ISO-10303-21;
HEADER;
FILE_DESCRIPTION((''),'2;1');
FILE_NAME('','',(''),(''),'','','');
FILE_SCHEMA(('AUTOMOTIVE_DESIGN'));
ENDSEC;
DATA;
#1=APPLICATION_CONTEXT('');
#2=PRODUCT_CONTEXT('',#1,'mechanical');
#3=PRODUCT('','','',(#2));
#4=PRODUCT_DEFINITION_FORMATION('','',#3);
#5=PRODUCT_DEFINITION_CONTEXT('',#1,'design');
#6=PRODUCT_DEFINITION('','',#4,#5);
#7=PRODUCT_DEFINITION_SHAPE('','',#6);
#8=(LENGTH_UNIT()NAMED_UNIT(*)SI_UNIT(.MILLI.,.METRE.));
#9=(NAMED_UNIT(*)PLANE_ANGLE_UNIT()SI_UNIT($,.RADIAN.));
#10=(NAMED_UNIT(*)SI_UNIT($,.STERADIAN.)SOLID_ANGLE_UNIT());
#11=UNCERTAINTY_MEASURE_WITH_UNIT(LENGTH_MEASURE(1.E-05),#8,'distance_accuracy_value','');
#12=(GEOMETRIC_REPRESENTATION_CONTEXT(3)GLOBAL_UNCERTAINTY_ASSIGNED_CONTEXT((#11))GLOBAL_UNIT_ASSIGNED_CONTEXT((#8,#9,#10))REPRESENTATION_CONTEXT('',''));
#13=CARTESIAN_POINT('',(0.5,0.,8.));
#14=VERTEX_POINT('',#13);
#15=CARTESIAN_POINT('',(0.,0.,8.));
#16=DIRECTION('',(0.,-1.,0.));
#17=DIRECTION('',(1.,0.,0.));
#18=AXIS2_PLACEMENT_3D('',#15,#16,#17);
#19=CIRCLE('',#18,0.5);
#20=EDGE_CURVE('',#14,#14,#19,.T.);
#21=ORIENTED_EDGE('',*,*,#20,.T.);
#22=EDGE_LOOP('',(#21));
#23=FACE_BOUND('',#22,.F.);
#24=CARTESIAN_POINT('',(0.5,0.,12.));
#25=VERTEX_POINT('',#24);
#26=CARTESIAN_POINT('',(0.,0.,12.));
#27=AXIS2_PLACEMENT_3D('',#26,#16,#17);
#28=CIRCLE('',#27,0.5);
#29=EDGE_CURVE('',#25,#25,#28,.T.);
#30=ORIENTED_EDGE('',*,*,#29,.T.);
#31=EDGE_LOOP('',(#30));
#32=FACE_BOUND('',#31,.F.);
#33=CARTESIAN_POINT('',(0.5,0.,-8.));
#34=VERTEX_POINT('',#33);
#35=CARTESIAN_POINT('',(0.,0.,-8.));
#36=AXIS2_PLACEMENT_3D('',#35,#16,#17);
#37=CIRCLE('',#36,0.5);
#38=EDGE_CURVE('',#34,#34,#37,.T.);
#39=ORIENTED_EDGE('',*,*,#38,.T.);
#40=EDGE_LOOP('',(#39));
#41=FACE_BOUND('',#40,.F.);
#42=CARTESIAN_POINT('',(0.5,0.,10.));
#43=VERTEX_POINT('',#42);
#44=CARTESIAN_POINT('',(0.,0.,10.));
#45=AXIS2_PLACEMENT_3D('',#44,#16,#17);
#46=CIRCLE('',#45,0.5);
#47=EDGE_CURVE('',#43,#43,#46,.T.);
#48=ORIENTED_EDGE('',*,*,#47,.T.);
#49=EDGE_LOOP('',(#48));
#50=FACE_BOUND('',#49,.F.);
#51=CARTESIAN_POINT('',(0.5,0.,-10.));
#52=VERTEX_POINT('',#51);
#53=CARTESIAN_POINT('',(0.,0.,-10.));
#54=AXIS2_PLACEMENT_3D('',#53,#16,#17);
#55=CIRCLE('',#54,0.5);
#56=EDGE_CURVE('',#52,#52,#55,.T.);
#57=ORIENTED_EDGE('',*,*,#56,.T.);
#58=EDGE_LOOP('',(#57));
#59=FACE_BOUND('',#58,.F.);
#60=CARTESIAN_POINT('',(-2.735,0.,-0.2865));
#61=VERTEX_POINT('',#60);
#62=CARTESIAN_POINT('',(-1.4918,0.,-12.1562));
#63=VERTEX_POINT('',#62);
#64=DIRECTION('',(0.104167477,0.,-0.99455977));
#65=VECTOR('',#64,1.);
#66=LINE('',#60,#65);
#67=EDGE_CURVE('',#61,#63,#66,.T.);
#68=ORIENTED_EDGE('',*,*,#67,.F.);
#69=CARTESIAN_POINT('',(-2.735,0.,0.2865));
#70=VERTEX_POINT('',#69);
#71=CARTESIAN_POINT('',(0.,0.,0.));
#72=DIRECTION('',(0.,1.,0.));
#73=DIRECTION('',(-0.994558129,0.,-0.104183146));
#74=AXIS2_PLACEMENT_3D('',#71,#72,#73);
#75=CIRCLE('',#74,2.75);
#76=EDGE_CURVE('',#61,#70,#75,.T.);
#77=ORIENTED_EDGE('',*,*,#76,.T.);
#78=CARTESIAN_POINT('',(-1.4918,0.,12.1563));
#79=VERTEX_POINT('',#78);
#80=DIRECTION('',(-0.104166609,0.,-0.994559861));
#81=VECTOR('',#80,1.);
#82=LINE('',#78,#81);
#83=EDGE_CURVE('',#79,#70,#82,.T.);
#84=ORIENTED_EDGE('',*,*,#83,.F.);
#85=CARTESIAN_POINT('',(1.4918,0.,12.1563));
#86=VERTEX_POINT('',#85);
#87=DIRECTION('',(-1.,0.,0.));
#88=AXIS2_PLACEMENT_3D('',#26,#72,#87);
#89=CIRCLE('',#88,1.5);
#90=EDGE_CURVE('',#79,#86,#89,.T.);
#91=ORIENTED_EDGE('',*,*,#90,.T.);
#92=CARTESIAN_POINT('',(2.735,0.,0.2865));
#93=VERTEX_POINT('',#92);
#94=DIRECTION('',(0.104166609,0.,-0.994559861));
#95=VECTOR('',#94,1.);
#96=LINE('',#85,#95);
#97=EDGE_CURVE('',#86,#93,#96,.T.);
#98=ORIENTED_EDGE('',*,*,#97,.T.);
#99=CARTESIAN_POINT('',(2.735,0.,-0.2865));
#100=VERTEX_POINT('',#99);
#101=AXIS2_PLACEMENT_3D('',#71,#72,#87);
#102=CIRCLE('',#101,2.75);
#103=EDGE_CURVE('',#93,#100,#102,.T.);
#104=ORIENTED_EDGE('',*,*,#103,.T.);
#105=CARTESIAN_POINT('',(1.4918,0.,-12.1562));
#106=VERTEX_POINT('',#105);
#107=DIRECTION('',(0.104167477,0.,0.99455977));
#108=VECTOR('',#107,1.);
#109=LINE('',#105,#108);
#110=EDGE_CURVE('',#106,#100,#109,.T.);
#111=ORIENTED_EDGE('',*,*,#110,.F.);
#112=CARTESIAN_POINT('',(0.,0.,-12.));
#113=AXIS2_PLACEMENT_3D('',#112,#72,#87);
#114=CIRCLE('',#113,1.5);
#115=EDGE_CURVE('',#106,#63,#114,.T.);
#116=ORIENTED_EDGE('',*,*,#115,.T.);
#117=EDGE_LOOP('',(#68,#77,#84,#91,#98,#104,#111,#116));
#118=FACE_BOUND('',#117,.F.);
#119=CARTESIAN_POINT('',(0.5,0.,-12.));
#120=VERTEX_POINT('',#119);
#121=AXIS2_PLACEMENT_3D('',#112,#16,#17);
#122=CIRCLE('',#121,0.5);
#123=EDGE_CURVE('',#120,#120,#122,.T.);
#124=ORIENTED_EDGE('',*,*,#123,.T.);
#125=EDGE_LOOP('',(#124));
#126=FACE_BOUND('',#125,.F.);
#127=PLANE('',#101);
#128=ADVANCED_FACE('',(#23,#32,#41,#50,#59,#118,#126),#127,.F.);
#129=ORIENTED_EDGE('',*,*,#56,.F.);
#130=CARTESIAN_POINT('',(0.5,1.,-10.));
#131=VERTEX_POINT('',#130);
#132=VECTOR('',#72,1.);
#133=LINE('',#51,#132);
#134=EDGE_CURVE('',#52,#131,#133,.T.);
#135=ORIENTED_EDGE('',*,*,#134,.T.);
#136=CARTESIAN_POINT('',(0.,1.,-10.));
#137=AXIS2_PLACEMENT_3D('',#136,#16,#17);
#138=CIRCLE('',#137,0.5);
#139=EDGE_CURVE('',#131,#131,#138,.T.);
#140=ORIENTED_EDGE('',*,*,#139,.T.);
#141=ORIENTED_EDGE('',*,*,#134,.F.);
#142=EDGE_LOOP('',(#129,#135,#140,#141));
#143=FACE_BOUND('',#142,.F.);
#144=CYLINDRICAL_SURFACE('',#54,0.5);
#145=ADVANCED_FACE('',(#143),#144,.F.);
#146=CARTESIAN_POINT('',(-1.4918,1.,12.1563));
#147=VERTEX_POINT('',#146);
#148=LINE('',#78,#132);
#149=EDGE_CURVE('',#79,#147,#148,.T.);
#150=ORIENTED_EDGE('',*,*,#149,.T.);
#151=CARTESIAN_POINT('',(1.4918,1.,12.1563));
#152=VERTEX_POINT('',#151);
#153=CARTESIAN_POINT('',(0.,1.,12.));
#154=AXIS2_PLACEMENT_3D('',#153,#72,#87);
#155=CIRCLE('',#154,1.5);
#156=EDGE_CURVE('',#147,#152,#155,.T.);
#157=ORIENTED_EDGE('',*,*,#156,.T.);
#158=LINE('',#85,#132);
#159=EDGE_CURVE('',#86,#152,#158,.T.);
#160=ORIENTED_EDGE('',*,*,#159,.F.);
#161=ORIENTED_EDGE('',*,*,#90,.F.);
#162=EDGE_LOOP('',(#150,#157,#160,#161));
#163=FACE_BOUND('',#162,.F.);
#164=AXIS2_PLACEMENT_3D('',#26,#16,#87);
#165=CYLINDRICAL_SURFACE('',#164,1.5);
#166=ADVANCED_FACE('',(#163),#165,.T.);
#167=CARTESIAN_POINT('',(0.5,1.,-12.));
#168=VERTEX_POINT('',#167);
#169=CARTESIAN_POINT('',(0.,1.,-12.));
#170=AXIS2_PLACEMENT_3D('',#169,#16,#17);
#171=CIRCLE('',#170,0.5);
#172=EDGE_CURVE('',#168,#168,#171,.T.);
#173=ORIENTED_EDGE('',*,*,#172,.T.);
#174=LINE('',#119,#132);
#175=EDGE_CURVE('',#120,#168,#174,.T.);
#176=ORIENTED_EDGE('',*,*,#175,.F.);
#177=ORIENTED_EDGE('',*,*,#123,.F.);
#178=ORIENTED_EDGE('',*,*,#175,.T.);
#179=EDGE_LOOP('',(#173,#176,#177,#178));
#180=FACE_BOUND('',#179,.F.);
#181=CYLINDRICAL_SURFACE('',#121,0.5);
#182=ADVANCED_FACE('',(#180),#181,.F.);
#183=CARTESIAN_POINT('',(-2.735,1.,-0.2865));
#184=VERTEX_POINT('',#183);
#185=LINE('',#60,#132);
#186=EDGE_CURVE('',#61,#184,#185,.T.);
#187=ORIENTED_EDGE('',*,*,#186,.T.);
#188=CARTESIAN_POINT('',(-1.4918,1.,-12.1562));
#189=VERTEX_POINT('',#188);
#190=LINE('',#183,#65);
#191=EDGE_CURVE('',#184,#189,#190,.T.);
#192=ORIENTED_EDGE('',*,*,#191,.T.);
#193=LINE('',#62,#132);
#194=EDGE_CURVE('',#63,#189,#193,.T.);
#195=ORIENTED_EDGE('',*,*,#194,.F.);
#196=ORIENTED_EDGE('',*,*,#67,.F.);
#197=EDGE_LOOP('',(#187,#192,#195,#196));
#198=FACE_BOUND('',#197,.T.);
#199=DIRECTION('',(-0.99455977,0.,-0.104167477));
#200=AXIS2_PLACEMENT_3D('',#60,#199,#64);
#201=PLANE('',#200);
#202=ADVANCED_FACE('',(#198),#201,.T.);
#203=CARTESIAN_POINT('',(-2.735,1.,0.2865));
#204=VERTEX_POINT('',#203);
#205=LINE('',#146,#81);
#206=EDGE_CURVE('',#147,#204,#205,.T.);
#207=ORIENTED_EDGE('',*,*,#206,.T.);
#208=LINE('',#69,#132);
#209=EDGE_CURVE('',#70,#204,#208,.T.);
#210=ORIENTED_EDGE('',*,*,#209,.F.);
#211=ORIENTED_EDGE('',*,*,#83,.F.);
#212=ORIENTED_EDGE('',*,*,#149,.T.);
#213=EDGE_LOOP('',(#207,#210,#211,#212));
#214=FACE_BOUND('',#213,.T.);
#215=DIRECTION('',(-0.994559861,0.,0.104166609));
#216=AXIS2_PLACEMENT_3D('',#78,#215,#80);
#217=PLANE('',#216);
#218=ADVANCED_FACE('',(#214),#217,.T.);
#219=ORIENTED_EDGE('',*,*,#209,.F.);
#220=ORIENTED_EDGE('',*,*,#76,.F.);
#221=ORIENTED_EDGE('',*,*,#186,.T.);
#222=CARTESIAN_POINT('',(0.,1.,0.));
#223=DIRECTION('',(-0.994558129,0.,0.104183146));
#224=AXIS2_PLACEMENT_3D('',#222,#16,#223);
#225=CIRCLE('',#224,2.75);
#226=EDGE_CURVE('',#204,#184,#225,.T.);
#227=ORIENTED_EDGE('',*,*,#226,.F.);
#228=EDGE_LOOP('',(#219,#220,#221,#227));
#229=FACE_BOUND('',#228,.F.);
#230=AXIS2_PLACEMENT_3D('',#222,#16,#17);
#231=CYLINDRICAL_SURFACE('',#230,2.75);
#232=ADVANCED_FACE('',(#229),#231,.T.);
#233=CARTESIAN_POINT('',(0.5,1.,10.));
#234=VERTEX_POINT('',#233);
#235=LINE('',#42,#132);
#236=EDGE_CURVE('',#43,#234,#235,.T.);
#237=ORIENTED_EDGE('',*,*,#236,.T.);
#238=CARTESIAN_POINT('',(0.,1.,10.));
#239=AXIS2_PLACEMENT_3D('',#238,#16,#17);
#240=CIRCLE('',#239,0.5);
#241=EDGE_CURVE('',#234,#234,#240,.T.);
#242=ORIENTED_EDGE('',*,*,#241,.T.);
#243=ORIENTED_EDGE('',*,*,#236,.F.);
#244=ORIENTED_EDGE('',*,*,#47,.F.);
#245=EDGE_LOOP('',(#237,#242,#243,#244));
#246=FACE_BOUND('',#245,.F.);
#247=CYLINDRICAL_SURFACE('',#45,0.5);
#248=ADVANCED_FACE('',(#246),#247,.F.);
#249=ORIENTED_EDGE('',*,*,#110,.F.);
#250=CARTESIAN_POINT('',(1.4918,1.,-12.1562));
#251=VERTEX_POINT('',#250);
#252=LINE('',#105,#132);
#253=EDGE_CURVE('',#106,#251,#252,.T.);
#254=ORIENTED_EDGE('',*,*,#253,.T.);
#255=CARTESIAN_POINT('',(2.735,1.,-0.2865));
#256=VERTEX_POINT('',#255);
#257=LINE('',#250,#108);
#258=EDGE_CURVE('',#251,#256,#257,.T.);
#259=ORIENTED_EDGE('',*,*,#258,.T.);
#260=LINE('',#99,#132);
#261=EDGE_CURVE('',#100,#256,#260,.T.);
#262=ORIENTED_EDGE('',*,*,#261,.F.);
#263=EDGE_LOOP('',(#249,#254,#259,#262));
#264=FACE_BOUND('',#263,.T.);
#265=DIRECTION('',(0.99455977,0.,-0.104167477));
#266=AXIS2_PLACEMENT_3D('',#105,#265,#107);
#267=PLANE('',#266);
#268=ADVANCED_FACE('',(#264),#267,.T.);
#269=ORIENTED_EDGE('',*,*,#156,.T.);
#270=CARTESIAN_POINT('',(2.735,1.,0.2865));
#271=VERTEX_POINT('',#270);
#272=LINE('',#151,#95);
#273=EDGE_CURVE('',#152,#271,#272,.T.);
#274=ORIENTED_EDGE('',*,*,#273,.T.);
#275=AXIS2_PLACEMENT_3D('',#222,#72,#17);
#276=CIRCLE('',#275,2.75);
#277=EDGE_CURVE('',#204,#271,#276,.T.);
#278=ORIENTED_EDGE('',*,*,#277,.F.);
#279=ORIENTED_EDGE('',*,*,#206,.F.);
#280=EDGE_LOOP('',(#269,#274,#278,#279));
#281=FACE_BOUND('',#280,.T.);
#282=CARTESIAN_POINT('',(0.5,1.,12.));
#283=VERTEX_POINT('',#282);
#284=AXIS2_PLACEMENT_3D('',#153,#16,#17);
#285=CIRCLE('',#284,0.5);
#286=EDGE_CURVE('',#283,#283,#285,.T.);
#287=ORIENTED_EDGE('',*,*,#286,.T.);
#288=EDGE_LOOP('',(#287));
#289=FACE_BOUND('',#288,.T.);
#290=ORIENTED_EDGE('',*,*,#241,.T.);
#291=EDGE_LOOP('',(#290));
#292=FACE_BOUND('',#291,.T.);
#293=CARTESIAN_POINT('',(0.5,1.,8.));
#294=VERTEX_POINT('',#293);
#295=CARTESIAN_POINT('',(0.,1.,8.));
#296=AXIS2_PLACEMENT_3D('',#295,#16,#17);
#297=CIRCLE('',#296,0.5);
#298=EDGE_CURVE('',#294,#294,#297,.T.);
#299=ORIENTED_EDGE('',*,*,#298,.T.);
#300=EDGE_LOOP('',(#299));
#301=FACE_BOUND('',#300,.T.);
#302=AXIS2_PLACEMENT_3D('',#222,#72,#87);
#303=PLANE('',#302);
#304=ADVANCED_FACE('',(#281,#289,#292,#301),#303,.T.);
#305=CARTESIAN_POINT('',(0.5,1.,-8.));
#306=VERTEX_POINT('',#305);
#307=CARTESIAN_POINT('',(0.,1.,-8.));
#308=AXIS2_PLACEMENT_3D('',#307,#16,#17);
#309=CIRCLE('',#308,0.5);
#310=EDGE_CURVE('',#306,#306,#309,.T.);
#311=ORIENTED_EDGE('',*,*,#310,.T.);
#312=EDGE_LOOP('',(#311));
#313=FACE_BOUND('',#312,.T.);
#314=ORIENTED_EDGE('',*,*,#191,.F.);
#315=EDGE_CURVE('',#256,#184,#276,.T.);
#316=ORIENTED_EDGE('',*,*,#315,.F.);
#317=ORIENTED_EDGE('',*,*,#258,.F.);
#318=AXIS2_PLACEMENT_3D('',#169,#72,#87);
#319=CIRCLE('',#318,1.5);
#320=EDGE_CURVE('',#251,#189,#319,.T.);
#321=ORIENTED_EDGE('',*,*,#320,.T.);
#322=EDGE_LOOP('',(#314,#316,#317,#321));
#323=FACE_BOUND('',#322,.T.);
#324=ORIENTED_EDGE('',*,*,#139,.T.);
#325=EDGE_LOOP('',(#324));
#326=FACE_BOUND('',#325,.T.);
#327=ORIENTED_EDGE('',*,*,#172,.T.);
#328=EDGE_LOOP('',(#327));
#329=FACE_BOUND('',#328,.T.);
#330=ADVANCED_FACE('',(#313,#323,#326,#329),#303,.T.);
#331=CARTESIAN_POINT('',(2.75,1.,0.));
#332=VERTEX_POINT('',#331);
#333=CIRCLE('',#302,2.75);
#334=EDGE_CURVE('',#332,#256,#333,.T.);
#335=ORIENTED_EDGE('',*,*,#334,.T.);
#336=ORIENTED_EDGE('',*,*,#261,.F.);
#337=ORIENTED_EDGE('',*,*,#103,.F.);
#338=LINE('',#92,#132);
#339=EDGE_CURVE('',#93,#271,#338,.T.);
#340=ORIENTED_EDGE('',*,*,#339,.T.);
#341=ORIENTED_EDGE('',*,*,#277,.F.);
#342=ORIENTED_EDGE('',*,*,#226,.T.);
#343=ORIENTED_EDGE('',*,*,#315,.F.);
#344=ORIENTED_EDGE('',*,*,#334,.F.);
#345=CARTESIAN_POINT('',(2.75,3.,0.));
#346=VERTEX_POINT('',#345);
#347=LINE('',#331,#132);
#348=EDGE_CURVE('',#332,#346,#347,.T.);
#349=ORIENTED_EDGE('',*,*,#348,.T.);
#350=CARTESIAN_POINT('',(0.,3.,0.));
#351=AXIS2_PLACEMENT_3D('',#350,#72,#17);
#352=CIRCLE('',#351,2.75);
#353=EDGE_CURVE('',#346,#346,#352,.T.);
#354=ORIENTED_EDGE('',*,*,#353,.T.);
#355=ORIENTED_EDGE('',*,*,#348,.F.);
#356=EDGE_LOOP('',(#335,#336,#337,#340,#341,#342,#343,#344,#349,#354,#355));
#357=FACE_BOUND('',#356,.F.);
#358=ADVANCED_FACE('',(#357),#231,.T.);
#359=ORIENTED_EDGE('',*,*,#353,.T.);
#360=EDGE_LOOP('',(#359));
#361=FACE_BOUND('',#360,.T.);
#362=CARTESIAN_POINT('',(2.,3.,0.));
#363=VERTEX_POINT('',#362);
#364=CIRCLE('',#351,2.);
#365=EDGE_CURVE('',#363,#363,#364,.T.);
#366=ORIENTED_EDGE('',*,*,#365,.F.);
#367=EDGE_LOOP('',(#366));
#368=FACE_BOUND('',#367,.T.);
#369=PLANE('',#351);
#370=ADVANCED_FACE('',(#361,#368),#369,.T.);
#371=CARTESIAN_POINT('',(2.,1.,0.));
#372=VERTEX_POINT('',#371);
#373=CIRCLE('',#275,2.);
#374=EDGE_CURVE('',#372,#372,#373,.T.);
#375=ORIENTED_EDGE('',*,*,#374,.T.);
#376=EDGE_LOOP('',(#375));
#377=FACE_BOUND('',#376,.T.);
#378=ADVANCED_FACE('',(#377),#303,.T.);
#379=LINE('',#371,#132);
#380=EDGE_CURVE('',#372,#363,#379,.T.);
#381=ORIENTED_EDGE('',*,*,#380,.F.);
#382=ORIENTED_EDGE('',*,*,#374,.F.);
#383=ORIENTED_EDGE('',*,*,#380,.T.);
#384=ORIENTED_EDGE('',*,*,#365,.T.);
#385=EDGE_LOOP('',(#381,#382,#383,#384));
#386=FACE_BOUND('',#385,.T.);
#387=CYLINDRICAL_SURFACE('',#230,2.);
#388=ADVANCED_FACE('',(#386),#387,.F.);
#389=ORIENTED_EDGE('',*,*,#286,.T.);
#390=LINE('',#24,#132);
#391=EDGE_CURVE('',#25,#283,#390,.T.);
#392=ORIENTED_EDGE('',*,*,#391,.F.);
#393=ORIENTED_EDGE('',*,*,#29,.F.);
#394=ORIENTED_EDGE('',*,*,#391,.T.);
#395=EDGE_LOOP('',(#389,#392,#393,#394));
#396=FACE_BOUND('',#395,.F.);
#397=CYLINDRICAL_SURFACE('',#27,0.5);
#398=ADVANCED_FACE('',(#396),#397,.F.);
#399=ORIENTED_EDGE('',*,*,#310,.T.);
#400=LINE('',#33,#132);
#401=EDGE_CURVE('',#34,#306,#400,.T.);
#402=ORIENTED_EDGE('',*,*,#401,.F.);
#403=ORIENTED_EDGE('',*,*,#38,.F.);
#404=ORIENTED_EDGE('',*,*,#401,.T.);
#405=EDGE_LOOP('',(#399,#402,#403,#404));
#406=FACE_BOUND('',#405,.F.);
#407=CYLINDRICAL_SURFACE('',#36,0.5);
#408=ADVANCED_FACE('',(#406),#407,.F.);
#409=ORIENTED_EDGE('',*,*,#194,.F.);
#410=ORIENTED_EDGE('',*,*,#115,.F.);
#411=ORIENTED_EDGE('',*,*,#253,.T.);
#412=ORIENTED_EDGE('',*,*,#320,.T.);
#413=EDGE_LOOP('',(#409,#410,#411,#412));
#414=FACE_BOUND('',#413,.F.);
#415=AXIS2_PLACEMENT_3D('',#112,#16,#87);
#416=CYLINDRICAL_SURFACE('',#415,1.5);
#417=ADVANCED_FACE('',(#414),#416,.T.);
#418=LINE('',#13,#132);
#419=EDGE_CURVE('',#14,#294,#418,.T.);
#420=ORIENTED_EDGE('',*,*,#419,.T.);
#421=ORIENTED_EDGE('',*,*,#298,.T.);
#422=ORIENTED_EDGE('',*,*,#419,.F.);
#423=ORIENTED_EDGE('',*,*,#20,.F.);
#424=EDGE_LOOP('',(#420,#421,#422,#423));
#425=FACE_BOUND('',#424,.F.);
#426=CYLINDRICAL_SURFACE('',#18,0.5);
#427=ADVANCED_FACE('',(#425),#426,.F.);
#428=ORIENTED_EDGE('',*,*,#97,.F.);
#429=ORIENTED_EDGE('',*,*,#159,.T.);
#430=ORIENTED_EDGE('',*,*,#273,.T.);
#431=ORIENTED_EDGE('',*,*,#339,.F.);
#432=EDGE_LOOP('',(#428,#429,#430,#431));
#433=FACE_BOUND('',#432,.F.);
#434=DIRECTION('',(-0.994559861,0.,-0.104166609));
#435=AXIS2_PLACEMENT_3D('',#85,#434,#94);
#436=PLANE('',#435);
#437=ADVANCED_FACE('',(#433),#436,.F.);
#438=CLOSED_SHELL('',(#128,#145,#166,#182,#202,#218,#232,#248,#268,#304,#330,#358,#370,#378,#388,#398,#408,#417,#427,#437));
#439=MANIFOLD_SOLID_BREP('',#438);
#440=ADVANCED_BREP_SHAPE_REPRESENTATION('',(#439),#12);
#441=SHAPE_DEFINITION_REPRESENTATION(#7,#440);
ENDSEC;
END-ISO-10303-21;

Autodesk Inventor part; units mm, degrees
ref_plane "YZ Plane" through (0, 0, 0) normal (1, 0, 0) x (0, 1, 0)
ref_plane "XZ Plane" through (0, 0, 0) normal (0, 1, 0) x (-1, 0, 0)
ref_plane "XY Plane" through (0, 0, 0) normal (0, 0, 1) x (1, 0, 0)
sketch "Sketch1" plane through (0, 0, 0) normal (0, 1, 0) x (-1, 0, 0)
  circle A0 centre (0, 0) radius 2.75
  circle A1 centre (0, 12) radius 1.5
  circle A2 centre (0, -12) radius 1.5
  line L0 (0, 12) -> (0, -12) construction
  line L1 (2.735, -0.2865) -> (1.4918, -12.1562)
  line L2 (-1.4918, 12.1563) -> (-2.735, 0.2865)
  line L3 (-1.4918, -12.1562) -> (-2.735, -0.2865)
  line L4 (1.4918, 12.1563) -> (2.735, 0.2865)
  dimension "d0" = 5.5
  dimension "d1" = 3
  dimension "d2" = 27
extrude "Extrusion1" add sketch "Sketch1" along normal blind 1
sketch "Sketch2" plane through (0, 1, 0) normal (0, 1, 0) x (1, 0, 0)
  circle A0 centre (0, 0) radius 2.75
  circle A1 centre (0, 0) radius 2
  dimension "d5" = 5.5
  dimension "d6" = 4
extrude "Extrusion2" add sketch "Sketch2" along normal blind 2
sketch "Sketch3" plane through (0, 0, 0) normal (0, -1, 0) x (1, 0, 0)
  line L0 (-1.4918, -12.1562) -> (-2.735, -0.2865) projected
  arc A0 (-1.4918, -12.1562) -> (1.4918, -12.1562) centre (0, -12) ccw projected
  line L1 (2.735, -0.2865) -> (1.4918, -12.1562) projected
  arc A1 (2.735, -0.2865) -> (2.735, 0.2865) centre (0, 0) ccw projected
  line L2 (1.4918, 12.1563) -> (2.735, 0.2865) projected
  arc A2 (1.4918, 12.1563) -> (-1.4918, 12.1563) centre (0, 12) ccw projected
  line L3 (-2.735, 0.2865) -> (-1.4918, 12.1563) projected
  arc A3 (-2.735, 0.2865) -> (-2.735, -0.2865) centre (0, 0) ccw projected
  circle A4 centre (0, -12) radius 0.5
  circle A5 centre (0, -10) radius 0.5
  circle A6 centre (0, -8) radius 0.5
  circle A7 centre (0, 8) radius 0.5
  circle A8 centre (0, 10) radius 0.5
  circle A9 centre (0, 12) radius 0.5
  dimension "d9" = 1
  dimension "d10" = 1
  dimension "d11" = 1
  dimension "d12" = 1
  dimension "d13" = 1
  dimension "d16" = 180
extrude "Extrusion3" cut sketch "Sketch3" against normal through all contours A4 | A5 | A6 | A7 | A8 | A9
properties part number "Dual Servo Attachment" material "ABS Plastic"
